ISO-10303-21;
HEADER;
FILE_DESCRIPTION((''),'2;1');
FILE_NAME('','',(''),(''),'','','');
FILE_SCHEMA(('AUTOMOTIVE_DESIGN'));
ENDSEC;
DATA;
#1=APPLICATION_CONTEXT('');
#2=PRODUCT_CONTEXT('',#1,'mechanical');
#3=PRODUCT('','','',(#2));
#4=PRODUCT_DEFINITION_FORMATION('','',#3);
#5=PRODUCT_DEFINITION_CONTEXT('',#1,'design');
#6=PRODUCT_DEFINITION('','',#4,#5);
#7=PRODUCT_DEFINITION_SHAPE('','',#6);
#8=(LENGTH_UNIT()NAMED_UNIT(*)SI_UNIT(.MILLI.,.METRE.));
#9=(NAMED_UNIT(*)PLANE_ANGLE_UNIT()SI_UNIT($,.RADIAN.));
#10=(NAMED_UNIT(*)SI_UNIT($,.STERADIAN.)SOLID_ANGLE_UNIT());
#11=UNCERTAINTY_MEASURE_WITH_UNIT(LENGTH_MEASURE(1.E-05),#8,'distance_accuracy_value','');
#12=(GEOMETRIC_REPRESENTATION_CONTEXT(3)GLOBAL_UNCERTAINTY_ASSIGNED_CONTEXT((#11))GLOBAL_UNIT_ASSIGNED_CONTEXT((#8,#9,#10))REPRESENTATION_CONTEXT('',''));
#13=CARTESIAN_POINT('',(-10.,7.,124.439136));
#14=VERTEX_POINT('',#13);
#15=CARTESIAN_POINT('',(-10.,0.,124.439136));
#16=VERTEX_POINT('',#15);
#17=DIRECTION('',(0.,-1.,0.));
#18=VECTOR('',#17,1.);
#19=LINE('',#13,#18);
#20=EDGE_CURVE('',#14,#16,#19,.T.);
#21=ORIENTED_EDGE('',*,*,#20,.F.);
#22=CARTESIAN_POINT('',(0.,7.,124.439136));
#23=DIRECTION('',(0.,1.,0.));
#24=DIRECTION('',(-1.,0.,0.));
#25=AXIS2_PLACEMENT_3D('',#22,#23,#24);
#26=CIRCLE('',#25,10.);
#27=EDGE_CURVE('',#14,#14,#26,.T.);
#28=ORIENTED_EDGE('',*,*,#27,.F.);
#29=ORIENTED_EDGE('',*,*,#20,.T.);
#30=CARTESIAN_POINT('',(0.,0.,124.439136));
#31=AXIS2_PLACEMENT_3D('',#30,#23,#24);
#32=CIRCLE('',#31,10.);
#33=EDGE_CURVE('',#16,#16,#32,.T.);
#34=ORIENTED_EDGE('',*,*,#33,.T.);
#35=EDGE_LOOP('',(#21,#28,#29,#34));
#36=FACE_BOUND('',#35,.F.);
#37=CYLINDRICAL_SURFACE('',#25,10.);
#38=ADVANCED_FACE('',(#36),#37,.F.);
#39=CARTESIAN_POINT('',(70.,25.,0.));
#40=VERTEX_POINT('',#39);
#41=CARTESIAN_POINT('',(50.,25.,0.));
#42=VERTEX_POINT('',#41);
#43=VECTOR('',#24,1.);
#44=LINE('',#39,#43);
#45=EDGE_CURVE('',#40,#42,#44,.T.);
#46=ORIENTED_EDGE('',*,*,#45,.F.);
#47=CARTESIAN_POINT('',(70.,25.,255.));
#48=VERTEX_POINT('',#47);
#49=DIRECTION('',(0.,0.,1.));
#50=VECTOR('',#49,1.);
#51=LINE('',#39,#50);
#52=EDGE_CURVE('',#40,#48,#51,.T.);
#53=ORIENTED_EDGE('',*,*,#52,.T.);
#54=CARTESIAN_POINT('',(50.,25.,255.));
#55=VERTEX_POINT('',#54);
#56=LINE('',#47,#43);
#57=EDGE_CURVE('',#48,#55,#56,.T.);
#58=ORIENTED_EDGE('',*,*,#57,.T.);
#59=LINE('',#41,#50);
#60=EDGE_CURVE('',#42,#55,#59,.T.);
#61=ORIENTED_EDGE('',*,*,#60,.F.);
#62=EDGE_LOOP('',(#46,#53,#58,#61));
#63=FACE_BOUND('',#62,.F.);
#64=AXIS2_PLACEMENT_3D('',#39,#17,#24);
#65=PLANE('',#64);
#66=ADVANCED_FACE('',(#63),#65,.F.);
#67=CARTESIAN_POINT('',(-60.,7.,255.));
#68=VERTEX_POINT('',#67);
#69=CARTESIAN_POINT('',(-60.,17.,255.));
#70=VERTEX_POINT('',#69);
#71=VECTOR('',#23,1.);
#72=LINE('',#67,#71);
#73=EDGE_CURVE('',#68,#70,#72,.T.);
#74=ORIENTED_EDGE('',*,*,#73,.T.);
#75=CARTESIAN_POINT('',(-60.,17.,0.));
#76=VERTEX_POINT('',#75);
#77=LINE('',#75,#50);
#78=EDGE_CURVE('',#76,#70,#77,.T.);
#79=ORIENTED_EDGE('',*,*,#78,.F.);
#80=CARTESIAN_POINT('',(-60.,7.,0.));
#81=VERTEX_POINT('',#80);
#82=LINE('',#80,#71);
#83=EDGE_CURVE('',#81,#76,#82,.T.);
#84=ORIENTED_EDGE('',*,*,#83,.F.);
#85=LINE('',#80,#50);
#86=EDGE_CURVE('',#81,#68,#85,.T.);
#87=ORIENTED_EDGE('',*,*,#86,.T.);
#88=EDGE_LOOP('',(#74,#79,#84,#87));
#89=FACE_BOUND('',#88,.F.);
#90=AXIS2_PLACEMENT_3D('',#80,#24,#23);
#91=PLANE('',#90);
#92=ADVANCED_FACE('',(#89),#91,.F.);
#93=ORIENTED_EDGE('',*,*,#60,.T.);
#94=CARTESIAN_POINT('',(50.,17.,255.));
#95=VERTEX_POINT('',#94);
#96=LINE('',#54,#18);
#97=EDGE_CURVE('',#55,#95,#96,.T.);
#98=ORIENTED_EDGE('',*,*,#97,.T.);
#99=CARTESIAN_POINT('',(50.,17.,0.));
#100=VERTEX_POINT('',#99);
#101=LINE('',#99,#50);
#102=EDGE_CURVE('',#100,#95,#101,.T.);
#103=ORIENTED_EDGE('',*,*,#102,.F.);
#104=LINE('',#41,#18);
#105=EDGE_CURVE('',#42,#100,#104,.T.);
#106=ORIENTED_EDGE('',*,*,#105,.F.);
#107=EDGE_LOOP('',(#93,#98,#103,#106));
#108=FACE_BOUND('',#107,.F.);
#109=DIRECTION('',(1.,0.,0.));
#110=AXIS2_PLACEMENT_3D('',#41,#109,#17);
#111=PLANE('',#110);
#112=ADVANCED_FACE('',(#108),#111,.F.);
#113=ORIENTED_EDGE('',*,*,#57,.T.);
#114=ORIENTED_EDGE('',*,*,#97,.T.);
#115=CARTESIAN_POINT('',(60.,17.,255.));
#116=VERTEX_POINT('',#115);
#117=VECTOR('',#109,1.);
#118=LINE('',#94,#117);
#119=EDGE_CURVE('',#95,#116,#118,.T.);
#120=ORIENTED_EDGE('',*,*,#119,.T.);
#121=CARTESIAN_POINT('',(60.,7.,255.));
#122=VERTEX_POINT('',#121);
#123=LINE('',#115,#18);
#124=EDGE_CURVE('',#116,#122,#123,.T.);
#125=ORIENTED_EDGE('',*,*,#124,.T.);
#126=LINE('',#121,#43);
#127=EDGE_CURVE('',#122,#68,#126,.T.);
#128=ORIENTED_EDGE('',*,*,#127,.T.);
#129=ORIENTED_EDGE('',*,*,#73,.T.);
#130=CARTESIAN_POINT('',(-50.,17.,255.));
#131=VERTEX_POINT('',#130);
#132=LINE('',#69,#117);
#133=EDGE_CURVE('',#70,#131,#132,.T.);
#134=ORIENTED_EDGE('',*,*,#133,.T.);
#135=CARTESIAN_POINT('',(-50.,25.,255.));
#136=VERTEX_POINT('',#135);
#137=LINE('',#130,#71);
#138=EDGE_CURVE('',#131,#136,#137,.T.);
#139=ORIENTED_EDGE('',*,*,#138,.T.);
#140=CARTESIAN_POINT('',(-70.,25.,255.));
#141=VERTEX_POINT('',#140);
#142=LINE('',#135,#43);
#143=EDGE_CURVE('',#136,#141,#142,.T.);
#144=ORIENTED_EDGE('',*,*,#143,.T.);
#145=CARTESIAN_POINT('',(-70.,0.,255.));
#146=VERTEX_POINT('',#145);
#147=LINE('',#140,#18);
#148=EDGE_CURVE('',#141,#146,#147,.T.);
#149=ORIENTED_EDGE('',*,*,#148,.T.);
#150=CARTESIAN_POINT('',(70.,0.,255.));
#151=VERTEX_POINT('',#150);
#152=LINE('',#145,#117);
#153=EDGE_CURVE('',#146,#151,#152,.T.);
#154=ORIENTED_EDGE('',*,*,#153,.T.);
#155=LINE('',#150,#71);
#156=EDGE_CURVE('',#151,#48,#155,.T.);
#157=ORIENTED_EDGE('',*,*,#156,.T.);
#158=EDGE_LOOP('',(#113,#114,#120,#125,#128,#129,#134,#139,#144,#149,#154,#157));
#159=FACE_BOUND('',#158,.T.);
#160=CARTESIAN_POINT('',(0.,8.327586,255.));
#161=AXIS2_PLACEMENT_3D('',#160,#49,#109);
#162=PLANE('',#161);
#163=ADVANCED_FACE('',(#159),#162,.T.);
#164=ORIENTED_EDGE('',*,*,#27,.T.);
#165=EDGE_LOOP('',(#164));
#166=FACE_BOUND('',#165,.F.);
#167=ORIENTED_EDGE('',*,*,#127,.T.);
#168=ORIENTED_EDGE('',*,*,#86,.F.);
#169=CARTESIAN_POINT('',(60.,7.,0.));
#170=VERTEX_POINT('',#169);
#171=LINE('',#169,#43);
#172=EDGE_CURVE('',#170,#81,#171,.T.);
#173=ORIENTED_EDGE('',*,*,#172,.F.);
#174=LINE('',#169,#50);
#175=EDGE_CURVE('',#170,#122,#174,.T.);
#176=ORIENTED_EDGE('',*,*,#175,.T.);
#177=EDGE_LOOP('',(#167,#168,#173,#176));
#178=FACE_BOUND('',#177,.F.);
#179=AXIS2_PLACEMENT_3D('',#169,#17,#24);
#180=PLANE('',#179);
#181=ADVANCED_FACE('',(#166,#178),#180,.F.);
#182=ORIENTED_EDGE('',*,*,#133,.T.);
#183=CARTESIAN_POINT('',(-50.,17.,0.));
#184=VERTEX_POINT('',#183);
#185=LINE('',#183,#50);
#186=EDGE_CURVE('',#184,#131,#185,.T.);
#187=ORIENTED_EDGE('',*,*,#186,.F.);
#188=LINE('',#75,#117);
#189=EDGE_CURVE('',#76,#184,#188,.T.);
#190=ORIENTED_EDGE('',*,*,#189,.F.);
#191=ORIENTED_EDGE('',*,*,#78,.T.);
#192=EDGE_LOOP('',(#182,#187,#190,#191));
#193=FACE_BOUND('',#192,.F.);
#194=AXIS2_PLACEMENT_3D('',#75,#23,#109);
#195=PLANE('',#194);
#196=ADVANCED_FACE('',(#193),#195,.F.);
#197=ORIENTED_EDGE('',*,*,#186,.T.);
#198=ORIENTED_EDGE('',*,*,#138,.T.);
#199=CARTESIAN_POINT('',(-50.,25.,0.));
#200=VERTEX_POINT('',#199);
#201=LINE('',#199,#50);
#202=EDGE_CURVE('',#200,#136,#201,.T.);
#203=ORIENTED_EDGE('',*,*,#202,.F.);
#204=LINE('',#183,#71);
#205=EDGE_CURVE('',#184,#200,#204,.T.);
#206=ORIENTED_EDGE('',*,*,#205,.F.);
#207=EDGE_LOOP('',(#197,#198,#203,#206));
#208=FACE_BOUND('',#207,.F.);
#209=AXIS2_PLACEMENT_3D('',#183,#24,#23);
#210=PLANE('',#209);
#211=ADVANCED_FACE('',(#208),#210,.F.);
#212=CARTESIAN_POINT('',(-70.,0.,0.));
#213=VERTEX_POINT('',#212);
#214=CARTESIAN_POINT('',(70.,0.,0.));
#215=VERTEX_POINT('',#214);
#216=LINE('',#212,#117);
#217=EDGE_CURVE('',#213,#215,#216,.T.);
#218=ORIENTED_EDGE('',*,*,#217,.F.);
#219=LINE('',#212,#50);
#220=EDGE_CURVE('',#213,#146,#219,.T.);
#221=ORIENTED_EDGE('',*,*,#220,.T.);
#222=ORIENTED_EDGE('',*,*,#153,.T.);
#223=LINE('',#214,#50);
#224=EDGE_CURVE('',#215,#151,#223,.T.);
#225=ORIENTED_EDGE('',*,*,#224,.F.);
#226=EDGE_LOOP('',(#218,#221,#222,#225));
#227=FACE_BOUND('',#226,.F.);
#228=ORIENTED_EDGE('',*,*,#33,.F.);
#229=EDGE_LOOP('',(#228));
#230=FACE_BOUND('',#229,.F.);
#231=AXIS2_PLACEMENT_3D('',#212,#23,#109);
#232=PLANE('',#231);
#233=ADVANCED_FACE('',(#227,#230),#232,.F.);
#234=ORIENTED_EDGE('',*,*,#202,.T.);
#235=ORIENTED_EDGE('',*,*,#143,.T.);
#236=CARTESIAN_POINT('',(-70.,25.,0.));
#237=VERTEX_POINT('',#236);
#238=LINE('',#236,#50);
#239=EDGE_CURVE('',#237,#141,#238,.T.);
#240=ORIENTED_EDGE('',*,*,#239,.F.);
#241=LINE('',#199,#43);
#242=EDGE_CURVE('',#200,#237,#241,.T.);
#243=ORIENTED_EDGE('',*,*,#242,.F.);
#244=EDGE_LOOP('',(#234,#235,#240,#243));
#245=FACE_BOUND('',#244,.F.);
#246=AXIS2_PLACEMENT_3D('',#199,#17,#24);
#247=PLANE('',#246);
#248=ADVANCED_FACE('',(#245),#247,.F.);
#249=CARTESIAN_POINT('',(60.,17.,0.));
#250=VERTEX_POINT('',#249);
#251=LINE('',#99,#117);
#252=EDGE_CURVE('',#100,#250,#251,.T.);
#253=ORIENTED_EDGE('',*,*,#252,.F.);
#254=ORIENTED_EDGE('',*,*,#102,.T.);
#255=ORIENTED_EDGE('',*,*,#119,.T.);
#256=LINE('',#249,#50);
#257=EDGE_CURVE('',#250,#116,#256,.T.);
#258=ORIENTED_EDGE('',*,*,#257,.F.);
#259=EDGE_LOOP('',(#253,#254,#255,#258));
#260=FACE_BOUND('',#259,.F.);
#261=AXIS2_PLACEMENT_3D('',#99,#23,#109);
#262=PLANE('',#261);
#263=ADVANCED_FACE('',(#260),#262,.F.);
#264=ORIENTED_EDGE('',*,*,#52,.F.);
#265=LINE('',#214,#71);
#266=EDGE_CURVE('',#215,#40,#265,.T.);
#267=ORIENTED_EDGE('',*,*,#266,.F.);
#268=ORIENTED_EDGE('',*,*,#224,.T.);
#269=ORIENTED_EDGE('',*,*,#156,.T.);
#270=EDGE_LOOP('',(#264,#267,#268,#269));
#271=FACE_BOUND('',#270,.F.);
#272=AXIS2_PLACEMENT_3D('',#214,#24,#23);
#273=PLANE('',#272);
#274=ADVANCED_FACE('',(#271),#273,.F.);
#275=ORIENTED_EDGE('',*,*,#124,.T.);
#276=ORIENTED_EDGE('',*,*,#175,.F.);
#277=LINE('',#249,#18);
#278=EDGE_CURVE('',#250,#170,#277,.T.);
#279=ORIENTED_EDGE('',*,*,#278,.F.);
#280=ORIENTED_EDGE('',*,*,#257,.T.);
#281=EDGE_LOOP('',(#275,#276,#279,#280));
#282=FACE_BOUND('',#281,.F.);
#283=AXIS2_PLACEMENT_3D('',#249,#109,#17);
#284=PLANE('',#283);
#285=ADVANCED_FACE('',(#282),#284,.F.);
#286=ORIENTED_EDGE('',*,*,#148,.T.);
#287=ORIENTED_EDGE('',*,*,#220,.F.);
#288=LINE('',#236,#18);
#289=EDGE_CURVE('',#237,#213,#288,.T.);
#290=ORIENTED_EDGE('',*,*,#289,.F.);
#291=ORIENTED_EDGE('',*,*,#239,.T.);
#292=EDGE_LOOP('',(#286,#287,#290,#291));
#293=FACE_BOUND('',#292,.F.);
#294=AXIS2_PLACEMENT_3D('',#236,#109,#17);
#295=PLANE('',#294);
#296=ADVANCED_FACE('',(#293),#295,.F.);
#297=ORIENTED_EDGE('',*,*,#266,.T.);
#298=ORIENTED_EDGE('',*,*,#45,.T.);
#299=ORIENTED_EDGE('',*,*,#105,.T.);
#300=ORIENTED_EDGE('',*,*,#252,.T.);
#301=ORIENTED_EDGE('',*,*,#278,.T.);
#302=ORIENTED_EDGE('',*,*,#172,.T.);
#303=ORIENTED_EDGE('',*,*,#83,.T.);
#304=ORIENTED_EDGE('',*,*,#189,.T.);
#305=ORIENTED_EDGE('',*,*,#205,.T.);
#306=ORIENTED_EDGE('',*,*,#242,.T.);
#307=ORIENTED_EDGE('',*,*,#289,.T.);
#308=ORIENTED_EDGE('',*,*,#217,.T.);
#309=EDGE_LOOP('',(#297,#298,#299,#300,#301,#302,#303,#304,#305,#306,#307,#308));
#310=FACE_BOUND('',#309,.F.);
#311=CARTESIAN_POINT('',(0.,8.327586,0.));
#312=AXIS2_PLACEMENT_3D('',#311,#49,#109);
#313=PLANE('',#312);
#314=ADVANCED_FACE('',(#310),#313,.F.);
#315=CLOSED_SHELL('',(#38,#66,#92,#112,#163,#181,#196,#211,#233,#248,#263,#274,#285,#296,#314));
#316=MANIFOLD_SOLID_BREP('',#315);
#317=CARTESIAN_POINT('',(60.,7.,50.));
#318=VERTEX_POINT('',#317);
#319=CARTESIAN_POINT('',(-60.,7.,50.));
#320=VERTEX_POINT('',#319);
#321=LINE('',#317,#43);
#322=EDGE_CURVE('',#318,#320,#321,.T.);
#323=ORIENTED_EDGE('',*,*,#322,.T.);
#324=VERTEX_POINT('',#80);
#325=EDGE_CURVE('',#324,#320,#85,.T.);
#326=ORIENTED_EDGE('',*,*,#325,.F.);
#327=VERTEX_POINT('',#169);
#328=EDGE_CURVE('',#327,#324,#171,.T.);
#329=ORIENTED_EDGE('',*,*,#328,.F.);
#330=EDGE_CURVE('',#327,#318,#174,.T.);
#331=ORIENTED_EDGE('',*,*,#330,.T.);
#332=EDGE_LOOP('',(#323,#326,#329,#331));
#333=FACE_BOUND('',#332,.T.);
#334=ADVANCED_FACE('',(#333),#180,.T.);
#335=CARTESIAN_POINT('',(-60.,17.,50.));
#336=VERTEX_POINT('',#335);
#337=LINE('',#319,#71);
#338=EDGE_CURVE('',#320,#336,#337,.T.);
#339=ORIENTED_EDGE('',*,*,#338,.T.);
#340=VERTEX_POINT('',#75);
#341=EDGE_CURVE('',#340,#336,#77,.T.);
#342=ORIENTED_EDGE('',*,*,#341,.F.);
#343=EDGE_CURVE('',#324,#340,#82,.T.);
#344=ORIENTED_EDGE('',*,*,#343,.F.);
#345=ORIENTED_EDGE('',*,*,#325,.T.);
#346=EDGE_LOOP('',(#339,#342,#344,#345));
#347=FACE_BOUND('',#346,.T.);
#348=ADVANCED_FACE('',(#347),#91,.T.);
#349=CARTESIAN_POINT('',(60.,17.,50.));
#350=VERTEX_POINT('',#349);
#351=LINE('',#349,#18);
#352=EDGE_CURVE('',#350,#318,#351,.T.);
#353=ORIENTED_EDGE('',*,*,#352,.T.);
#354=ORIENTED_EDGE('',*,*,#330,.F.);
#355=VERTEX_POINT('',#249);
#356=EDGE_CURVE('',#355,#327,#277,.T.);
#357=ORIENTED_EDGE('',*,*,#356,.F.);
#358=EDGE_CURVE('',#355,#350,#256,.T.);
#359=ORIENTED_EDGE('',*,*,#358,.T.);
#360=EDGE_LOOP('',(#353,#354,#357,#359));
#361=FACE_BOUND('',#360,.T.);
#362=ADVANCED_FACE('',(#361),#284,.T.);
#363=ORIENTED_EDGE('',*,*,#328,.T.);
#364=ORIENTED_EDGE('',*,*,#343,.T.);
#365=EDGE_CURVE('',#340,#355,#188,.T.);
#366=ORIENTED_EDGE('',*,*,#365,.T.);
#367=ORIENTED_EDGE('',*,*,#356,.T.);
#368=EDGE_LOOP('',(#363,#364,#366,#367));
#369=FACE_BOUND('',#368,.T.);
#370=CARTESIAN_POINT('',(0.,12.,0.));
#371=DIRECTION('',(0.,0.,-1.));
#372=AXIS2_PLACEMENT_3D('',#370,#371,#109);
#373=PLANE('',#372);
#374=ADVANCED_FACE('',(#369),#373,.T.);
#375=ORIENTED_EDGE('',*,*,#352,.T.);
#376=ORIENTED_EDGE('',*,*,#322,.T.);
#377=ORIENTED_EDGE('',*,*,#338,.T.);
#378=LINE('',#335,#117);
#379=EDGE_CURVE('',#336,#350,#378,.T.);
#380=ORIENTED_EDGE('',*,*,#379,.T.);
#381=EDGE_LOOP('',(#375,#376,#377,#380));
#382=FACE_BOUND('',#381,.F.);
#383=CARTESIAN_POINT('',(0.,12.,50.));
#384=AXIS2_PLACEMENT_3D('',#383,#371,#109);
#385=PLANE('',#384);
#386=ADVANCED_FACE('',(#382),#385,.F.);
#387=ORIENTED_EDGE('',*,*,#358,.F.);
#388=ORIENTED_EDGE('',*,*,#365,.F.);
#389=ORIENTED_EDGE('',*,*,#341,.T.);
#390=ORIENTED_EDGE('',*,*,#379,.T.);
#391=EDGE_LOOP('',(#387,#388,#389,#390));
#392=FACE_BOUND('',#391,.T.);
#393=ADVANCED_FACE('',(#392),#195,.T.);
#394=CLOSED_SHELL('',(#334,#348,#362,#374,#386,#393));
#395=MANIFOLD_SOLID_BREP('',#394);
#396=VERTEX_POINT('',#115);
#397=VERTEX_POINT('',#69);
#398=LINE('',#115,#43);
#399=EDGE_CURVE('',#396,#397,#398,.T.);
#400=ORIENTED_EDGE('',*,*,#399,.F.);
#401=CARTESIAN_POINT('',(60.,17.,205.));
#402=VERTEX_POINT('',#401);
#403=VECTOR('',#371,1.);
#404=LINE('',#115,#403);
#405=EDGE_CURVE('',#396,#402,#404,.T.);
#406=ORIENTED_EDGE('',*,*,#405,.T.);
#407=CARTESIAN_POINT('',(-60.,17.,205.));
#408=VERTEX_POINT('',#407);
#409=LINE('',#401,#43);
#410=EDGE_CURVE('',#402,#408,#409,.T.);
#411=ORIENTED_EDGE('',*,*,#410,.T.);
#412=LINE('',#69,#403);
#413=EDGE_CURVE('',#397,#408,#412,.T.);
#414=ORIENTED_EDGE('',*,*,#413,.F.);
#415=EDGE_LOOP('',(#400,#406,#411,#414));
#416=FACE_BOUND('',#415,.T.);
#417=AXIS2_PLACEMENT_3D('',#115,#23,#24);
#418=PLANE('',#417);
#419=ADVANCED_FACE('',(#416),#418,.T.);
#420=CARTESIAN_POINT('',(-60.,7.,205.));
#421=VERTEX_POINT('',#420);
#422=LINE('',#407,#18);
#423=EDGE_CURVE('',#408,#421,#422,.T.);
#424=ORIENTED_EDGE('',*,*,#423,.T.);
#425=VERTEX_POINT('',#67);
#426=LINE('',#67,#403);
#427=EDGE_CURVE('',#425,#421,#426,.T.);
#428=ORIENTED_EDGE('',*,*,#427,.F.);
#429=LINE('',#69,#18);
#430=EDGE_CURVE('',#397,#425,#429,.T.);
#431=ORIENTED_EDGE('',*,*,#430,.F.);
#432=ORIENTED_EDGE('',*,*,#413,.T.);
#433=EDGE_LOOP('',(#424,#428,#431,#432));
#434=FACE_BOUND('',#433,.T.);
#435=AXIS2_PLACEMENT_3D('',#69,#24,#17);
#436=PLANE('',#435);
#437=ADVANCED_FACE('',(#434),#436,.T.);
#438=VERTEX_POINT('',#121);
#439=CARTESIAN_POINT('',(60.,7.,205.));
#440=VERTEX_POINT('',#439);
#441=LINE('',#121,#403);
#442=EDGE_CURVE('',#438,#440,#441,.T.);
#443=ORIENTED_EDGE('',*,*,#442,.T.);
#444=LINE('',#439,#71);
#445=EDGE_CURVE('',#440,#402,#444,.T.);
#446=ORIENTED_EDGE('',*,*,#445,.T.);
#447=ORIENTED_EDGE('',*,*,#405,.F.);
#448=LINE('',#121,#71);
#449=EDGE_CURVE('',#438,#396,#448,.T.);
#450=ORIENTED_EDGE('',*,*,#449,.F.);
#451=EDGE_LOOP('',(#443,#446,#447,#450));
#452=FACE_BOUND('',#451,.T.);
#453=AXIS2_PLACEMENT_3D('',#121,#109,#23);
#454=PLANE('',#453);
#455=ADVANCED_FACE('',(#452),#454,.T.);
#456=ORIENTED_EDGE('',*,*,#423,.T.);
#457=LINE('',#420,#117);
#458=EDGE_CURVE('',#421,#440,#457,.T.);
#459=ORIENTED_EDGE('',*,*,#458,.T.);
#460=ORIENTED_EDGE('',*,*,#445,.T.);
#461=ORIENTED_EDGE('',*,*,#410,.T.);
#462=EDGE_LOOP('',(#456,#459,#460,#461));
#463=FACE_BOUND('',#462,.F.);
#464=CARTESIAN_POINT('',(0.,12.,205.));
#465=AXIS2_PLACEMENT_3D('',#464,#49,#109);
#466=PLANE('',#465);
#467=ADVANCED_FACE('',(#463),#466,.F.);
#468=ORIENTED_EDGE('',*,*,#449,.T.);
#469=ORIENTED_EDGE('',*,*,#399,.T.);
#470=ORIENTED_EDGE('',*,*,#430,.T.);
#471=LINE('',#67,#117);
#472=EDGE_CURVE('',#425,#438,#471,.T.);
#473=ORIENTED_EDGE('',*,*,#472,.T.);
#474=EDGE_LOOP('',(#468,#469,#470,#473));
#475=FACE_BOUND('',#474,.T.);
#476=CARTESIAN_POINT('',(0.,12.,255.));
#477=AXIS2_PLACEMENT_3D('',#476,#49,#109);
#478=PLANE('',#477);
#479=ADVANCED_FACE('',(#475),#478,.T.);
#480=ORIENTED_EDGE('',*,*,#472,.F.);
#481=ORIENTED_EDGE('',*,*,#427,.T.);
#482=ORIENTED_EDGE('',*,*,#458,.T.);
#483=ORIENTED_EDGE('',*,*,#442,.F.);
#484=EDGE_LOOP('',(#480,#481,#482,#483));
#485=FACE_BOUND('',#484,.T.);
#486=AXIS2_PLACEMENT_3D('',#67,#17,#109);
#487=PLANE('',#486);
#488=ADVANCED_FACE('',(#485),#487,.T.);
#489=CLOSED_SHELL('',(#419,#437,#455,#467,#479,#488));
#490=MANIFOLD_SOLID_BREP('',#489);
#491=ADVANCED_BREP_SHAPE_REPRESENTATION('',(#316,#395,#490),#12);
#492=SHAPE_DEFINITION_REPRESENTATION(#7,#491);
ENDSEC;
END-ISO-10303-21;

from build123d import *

# Parameters (mm, degrees)
F1_DEPTH = 255
F2_R     = 10
F3_DEPTH = 12
F5_DEPTH = 50
F7_DEPTH = 50


with BuildPart() as f1:
    # F0 (on Top) → F1 (new body)
    with BuildSketch(Plane.XY):
        Polygon((-70, 0), (0, 0), (70, 0), (70, 25), (50, 25), (50, 17), (60, 17), (60, 7), (0, 7), (-60, 7), (-60, 17), (-50, 17), (-50, 25), (-70, 25), align=None)
    extrude(amount=F1_DEPTH)

    # F2 (on face) → F3 (cut)
    with BuildSketch(Plane(origin=(0, 7, 0), x_dir=(-1, 0, 0), z_dir=(0, 1, 0))):
        with Locations((0, 124.4391358025)):
            Circle(F2_R)
    extrude(amount=-F3_DEPTH, mode=Mode.SUBTRACT)


with BuildPart() as f5:
    # F4 (on face) → F5 (new body)
    with BuildSketch(Plane.XY.offset(255)):
        Polygon((50, 17), (-50, 17), (-60, 17), (-60, 7), (60, 7), (60, 17), align=None)
    extrude(amount=-F5_DEPTH)


with BuildPart() as f7:
    # F6 (on face) → F7 (new body)
    with BuildSketch(Plane(origin=(0, 0, 0), x_dir=(1, 0, 0), z_dir=(0, 0, -1))):
        Polygon((60, -7), (-60, -7), (-60, -17), (-50, -17), (50, -17), (60, -17), align=None)
    extrude(amount=-F7_DEPTH)


solid = Compound([f1.part, f5.part, f7.part])
